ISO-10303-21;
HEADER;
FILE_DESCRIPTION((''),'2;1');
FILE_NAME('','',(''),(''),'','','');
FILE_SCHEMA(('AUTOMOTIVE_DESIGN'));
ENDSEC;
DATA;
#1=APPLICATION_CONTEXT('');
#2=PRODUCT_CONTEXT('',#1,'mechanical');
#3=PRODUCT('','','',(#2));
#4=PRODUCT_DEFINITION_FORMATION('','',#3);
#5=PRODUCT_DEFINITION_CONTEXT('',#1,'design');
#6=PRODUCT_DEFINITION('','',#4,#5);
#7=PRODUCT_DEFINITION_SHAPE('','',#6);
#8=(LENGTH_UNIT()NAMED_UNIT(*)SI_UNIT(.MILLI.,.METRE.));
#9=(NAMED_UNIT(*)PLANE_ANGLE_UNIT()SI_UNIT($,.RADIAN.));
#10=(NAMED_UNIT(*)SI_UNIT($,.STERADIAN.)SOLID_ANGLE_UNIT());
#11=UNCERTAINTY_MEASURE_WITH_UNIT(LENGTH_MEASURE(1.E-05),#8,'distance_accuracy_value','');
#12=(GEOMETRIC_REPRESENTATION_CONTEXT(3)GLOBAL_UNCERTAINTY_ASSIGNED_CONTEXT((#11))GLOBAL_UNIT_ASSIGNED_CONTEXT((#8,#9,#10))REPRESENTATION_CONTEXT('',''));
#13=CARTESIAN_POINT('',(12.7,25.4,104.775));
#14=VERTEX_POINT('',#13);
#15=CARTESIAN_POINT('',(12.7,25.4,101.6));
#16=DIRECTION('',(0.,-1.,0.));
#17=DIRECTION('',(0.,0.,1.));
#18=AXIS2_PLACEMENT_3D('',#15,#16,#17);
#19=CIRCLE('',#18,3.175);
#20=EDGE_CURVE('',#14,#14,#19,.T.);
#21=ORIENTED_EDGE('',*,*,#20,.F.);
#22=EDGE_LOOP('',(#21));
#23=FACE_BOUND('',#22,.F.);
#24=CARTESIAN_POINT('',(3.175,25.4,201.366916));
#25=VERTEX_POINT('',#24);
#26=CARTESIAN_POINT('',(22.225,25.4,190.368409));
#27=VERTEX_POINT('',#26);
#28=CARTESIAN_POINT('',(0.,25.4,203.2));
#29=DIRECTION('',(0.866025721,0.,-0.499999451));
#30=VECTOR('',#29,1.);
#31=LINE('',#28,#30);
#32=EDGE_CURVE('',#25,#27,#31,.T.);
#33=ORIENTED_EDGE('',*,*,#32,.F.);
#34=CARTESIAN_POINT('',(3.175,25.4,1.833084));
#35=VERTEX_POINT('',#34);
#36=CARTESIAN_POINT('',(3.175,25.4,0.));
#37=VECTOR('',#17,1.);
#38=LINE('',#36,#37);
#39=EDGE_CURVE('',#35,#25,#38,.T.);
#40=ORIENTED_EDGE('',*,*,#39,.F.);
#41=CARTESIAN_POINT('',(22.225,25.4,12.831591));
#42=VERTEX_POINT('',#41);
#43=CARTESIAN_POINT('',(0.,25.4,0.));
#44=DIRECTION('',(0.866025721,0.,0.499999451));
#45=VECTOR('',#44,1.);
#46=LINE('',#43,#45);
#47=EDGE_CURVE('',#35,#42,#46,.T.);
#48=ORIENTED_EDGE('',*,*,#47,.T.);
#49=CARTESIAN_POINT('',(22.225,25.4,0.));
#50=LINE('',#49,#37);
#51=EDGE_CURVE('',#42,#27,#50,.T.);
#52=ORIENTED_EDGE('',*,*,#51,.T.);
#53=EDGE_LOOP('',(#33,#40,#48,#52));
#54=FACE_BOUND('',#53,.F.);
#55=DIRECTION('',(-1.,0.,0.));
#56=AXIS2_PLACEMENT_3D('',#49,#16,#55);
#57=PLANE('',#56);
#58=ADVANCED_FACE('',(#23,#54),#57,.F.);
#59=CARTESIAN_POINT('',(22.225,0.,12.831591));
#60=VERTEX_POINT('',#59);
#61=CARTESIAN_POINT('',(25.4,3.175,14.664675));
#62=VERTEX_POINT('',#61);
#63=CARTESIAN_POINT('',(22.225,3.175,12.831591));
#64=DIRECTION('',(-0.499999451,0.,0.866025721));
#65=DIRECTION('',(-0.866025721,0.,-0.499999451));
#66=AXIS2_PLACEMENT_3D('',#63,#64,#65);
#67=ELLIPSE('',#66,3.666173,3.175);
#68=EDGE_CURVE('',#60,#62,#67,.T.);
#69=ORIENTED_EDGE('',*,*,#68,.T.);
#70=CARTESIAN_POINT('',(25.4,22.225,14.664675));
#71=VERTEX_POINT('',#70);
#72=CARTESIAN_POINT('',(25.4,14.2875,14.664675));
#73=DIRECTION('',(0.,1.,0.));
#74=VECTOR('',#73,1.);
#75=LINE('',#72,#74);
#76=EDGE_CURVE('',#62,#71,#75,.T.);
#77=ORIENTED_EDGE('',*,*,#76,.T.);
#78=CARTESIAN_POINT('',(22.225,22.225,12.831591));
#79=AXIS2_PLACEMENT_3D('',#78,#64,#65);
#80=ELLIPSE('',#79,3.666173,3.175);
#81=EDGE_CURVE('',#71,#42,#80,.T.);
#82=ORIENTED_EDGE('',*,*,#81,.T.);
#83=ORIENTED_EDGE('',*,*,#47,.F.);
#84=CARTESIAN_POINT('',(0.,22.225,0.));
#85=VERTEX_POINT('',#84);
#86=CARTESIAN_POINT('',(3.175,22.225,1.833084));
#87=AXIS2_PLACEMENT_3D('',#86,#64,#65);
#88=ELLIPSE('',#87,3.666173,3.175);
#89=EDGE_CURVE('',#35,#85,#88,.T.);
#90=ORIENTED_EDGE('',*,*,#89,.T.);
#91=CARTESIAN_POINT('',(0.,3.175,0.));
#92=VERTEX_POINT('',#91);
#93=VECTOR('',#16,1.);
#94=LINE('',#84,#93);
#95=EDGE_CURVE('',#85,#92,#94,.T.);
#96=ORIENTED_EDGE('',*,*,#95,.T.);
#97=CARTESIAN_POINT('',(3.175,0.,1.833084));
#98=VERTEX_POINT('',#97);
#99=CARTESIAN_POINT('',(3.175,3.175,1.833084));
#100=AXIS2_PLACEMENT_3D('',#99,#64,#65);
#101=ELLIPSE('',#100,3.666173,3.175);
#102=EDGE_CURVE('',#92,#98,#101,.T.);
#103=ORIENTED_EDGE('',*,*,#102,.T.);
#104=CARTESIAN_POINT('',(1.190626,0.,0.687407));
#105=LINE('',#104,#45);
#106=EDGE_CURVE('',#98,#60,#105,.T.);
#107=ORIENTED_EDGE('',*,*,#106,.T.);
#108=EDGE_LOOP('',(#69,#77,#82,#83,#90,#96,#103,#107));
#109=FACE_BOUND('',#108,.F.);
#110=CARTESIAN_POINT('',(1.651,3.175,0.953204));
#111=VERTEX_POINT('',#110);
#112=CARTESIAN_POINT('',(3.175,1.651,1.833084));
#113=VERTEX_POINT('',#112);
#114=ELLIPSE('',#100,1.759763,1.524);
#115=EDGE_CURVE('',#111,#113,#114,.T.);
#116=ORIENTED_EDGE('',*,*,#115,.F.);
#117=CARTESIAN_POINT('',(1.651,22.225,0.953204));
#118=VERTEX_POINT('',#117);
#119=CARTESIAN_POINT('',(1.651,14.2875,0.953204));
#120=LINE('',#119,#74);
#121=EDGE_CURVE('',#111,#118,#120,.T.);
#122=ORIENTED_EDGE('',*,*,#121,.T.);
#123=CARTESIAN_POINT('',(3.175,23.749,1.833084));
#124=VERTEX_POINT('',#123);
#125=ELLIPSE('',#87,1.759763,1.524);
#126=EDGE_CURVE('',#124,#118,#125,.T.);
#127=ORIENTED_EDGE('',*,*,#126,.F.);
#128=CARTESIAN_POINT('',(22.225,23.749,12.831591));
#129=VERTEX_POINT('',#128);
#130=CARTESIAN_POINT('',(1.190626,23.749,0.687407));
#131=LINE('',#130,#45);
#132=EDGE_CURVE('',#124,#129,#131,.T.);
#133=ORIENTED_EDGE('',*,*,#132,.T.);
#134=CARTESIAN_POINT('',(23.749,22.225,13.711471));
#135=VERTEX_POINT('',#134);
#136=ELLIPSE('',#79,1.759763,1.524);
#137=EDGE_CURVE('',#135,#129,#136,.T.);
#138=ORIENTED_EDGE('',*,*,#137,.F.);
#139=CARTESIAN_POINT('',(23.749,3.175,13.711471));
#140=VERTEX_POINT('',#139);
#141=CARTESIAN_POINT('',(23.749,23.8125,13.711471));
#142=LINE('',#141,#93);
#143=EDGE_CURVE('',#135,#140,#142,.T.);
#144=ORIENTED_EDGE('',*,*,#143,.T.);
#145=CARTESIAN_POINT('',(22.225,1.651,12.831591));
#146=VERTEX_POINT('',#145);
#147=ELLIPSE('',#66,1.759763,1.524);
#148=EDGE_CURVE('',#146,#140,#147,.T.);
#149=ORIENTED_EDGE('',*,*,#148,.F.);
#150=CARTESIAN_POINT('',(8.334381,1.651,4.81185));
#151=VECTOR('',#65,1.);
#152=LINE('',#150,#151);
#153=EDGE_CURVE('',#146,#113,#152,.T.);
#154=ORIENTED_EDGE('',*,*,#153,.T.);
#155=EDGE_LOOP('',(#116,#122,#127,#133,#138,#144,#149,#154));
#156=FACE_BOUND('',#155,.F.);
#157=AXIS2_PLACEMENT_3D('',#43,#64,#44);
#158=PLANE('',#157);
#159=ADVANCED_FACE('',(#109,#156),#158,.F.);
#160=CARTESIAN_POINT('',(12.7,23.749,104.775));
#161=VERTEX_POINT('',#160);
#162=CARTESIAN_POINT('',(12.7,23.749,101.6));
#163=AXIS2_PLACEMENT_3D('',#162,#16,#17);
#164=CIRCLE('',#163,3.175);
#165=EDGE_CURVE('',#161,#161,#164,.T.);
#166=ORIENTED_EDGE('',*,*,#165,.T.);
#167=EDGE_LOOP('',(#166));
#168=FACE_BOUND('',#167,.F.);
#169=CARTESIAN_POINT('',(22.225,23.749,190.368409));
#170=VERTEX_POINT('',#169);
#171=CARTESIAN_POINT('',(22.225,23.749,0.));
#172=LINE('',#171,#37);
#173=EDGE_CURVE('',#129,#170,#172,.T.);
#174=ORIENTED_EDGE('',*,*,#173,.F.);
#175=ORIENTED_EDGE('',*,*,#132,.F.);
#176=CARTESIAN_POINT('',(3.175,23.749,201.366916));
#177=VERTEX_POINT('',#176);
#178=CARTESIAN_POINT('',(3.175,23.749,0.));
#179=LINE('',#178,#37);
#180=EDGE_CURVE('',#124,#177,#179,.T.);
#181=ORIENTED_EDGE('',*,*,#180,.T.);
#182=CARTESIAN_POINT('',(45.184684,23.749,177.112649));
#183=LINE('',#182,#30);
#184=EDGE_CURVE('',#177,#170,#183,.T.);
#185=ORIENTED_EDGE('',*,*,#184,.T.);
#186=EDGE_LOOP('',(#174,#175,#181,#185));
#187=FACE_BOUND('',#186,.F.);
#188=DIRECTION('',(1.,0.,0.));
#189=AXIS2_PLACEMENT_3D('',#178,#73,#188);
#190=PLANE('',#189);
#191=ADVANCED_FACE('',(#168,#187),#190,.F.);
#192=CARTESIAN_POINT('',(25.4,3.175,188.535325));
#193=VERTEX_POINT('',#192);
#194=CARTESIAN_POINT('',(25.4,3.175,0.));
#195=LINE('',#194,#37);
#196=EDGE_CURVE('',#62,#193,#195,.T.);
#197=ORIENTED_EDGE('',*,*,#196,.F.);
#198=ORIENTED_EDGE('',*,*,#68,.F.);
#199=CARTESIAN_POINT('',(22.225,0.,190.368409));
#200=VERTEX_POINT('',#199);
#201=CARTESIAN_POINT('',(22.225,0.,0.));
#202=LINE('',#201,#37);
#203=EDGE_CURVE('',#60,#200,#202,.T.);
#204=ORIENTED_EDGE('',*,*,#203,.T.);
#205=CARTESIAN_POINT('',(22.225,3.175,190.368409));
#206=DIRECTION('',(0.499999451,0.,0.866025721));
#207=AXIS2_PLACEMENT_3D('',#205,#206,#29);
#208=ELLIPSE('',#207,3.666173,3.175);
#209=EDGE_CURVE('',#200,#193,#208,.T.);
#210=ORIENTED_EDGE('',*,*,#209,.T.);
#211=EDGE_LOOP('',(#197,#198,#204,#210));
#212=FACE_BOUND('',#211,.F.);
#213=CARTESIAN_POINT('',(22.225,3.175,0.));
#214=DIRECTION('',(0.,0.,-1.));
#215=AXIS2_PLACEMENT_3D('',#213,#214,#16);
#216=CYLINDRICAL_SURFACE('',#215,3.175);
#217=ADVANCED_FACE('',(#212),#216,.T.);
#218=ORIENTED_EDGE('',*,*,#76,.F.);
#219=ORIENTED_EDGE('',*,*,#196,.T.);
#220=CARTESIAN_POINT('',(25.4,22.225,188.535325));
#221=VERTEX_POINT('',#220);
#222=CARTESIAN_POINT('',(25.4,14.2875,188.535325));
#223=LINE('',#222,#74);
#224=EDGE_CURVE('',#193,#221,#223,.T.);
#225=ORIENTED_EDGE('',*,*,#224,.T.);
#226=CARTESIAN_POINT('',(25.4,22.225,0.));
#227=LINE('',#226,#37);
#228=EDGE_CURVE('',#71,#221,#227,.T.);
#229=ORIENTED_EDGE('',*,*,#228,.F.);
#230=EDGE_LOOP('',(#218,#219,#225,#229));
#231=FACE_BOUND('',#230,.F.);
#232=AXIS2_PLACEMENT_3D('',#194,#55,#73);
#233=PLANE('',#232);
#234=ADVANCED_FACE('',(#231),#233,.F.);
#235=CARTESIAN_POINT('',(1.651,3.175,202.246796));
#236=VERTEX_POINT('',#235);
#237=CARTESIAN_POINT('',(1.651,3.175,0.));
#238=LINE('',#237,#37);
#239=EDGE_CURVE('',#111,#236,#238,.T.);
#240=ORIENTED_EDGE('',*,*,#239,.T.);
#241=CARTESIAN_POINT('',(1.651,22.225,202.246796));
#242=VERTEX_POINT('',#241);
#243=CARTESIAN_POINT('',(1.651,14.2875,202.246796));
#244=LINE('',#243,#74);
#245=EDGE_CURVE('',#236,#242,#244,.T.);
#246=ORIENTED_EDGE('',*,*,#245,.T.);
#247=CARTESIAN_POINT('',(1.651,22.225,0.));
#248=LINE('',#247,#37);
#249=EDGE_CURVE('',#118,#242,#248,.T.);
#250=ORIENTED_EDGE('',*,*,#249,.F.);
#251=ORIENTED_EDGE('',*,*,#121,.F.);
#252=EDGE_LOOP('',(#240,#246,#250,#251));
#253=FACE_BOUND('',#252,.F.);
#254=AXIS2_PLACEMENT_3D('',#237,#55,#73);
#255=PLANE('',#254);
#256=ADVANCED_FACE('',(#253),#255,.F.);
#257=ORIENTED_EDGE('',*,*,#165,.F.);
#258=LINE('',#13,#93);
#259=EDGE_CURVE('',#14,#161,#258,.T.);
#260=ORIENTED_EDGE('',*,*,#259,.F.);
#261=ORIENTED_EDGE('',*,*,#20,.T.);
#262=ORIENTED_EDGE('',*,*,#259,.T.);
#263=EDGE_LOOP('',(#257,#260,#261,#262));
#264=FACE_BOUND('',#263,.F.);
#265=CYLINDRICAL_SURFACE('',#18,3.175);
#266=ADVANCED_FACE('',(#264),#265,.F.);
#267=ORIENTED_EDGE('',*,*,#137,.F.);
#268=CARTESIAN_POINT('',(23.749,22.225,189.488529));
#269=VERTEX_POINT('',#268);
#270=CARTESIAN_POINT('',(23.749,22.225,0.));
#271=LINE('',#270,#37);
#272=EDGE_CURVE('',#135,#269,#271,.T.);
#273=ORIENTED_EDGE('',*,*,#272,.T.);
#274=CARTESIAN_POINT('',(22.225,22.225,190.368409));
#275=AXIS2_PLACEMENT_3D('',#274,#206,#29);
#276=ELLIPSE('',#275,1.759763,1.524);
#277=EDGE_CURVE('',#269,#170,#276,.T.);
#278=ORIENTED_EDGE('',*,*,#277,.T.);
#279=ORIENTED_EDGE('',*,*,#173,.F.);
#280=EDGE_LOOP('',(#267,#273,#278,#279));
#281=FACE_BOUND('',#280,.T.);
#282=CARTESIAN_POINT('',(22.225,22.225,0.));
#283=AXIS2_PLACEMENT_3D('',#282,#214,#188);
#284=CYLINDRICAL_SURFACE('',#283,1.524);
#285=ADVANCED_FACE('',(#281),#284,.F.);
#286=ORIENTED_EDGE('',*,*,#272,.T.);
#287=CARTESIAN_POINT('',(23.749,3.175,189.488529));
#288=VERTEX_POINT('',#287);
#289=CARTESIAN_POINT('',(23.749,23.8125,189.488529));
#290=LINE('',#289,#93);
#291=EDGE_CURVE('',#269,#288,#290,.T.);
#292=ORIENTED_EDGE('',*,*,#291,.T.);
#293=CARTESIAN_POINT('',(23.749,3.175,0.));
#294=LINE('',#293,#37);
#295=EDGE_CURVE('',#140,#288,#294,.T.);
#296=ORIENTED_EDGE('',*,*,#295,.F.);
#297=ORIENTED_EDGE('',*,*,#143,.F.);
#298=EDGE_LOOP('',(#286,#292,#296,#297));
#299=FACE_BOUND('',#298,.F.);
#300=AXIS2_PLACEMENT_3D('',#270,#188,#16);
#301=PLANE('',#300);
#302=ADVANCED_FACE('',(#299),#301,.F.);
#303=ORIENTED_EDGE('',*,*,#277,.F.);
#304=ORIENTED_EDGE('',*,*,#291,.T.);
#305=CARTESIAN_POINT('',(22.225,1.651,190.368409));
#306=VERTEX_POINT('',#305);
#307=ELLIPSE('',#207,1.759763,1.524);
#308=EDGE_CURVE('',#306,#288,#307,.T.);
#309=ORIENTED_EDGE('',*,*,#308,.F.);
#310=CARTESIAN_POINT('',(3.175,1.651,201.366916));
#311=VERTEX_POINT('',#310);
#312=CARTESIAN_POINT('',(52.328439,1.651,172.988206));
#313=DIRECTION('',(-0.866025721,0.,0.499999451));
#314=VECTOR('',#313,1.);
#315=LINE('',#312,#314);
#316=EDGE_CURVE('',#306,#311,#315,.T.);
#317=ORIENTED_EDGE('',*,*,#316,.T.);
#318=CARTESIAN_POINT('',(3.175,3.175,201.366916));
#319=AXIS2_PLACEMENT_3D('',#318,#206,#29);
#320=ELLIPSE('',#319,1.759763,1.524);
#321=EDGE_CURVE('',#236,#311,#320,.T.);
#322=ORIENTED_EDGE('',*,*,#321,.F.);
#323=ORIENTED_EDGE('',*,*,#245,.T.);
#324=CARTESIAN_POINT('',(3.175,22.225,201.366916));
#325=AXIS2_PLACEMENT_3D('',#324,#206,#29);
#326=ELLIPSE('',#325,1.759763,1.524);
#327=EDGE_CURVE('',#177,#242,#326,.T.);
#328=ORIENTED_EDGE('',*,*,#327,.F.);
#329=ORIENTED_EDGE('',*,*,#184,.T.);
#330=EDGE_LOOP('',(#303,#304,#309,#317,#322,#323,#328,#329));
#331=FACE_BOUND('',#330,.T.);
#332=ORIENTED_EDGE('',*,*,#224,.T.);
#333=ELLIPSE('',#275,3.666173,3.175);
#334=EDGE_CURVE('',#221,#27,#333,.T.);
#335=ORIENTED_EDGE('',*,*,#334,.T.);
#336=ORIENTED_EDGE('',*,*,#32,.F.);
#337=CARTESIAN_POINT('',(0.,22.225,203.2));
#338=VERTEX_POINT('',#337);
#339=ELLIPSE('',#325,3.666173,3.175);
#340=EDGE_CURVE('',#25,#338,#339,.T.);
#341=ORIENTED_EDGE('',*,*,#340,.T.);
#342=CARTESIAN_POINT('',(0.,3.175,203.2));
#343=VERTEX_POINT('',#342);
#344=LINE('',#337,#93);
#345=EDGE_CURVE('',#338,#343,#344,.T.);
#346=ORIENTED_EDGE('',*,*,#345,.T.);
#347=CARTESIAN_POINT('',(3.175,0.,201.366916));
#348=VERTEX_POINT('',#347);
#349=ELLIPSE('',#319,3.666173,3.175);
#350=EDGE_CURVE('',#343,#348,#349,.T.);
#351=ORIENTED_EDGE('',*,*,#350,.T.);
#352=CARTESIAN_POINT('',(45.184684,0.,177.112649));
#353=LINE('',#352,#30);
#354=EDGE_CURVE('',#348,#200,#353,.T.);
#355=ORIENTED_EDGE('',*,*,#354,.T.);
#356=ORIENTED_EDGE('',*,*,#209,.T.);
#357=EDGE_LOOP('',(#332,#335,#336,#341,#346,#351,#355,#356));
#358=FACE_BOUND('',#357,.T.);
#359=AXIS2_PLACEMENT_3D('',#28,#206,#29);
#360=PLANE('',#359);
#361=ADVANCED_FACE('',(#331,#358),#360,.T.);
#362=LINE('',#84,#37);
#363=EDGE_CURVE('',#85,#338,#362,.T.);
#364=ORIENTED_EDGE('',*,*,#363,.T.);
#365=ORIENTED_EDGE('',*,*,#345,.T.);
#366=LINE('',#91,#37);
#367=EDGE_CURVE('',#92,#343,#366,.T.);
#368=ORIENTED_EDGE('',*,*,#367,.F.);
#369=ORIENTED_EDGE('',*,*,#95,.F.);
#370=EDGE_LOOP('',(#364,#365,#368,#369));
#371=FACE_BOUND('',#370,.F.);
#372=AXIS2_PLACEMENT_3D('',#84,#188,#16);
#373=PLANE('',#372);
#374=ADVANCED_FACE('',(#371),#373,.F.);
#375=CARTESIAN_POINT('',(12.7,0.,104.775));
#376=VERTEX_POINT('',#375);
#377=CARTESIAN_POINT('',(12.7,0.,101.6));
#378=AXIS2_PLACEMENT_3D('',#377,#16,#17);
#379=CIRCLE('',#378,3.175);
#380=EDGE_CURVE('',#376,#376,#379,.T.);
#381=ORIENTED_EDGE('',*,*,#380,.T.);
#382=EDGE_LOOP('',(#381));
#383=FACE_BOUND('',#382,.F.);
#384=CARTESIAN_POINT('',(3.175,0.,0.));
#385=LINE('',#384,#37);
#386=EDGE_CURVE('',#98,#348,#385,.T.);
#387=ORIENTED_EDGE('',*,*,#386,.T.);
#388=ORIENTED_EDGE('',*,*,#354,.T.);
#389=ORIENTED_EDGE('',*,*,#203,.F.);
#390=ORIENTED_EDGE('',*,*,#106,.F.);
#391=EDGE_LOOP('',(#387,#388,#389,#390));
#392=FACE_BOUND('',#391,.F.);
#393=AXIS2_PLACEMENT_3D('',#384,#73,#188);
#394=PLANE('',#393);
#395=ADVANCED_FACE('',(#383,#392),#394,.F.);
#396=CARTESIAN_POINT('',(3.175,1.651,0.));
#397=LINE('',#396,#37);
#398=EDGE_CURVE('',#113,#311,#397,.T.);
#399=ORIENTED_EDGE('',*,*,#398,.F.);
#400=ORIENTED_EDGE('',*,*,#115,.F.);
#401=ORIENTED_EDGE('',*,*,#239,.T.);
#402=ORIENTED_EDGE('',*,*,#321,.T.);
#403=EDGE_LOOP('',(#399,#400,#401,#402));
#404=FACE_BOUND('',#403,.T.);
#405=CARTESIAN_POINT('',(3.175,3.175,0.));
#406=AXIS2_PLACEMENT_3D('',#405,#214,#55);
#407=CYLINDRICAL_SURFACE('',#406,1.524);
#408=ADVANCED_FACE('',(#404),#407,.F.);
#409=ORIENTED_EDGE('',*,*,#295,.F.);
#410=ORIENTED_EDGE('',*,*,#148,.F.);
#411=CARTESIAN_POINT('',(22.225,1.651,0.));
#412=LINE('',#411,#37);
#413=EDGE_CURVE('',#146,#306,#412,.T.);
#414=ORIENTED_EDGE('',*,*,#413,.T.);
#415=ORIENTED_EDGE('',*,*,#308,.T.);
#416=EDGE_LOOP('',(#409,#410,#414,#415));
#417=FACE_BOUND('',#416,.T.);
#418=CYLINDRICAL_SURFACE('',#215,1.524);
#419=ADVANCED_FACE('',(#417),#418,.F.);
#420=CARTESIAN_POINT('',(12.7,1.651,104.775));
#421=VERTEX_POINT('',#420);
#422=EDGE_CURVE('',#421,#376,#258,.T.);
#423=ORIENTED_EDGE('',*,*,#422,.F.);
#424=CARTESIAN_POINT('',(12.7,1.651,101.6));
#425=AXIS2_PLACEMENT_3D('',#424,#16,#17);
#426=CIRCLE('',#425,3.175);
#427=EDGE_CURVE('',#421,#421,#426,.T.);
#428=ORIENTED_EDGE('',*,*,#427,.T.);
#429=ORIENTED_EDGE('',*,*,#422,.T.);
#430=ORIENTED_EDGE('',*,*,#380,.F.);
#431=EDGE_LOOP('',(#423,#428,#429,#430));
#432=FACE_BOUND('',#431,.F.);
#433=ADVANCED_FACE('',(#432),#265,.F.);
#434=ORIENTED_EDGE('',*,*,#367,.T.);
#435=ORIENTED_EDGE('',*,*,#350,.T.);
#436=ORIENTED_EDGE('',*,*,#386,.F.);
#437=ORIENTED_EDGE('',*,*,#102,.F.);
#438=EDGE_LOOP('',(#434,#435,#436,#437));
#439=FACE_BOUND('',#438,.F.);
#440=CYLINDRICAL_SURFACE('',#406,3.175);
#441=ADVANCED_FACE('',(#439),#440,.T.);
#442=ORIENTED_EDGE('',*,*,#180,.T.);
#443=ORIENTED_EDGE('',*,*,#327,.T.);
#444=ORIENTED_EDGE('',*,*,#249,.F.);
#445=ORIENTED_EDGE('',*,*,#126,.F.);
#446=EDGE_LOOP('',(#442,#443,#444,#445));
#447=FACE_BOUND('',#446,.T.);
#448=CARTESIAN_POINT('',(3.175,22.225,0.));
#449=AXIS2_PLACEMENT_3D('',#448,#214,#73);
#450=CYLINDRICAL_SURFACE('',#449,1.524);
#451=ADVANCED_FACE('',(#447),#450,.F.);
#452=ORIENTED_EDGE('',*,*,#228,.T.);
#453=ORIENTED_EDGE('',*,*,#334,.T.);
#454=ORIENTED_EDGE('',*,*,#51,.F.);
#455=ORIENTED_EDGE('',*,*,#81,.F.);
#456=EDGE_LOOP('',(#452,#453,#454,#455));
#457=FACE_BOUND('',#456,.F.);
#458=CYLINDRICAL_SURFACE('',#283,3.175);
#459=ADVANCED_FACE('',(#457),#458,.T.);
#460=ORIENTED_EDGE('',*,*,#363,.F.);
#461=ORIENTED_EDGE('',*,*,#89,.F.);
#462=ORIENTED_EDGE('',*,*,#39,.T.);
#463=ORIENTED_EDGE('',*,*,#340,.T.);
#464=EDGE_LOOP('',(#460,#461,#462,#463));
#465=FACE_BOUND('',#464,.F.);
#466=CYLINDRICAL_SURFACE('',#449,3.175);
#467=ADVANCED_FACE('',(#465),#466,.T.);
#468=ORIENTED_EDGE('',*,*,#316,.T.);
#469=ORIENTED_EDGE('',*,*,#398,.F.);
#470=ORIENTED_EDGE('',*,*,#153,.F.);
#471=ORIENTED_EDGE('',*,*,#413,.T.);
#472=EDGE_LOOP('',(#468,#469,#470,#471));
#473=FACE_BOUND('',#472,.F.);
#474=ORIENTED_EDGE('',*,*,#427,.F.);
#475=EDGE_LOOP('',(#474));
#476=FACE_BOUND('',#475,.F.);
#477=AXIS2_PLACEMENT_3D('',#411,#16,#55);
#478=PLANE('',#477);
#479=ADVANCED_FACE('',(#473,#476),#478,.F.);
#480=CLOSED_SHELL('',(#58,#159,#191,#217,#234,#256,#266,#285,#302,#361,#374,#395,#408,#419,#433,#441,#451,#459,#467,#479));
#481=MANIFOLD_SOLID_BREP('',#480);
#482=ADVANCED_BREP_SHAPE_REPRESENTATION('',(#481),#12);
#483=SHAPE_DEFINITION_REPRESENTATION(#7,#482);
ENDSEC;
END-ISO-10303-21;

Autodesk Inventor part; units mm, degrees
ref_plane "YZ Plane" through (0, 0, 0) normal (1, 0, 0) x (0, 1, 0)
ref_plane "XZ Plane" through (0, 0, 0) normal (0, 1, 0) x (-1, 0, 0)
ref_plane "XY Plane" through (0, 0, 0) normal (0, 0, 1) x (1, 0, 0)
sketch "Sketch1" plane through (0, 0, 0) normal (0, 0, 1) x (1, 0, 0)
  line L0 (3.175, 0) -> (22.225, 0)
  line L1 (25.4, 3.175) -> (25.4, 22.225)
  line L2 (22.225, 25.4) -> (3.175, 25.4)
  line L3 (0, 22.225) -> (0, 3.175)
  arc A0 (3.175, 25.4) -> (0, 22.225) centre (3.175, 22.225) ccw
  arc A1 (0, 3.175) -> (3.175, 0) centre (3.175, 3.175) ccw
  arc A2 (22.225, 0) -> (25.4, 3.175) centre (22.225, 3.175) ccw
  arc A3 (25.4, 22.225) -> (22.225, 25.4) centre (22.225, 22.225) ccw
  line L4 (3.175, 23.749) -> (22.225, 23.749)
  arc A4 (23.749, 22.225) -> (22.225, 23.749) centre (22.225, 22.225) ccw
  line L5 (23.749, 22.225) -> (23.749, 3.175)
  arc A5 (22.225, 1.651) -> (23.749, 3.175) centre (22.225, 3.175) ccw
  line L6 (22.225, 1.651) -> (3.175, 1.651)
  arc A6 (1.651, 3.175) -> (3.175, 1.651) centre (3.175, 3.175) ccw
  line L7 (1.651, 3.175) -> (1.651, 22.225)
  arc A7 (3.175, 23.749) -> (1.651, 22.225) centre (3.175, 22.225) ccw
  point P0 (0, 0)
  point P1 (25.4, 0)
  point P2 (0, 25.4)
  dimension "d0" = 25.4
  dimension "d1" = 25.4
  dimension "d2" = 3.175
  dimension "d3" = 1.651
extrude "Extrusion1" add sketch "Sketch1" along normal blind 203.2
sketch "Sketch2" plane through (3.175, 25.4, 0) normal (0, 1, 0) x (1, 0, 0)
  line L0 (19.05, -203.2) -> (0, -203.2) projected
  line L1 (-3.175, 0) -> (22.2557, 0)
  line L2 (-3.175, 0) -> (32.385, 0) construction
  line L3 (22.2557, 0) -> (22.2557, -14.6824)
  line L4 (-3.175, 0) -> (22.2557, -14.6824)
  line L5 (-3.175, 0) -> (-3.175, -203.2) construction
  line L6 (-3.175, -101.6) -> (22.2557, -101.6) construction
  line L7 (-3.175, -203.2) -> (22.2557, -203.2)
  line L8 (22.2557, -203.2) -> (22.2557, -188.5176)
  line L9 (-3.175, -203.2) -> (22.2557, -188.5176)
  point P0 (0, 0)
extrude "Extrusion2" cut sketch "Sketch2" against normal blind 203.2
sketch "Sketch3" plane through (3.175, 25.4, 201.3669) normal (0, 1, 0) x (1, 0, 0)
  line L0 (0, 199.5338) -> (0, 0) projected
  line L1 (19.05, 188.5353) -> (19.05, 10.9985) projected
  line L2 (0, 99.7669) -> (19.05, 99.7669) construction
  circle A0 centre (9.525, 99.7669) radius 2.5512
  point P0 (-3.175, 201.3669)
hole "Hole1" at (12.7, 25.4, 101.6) direction (0, -1, 0) diameter 6.35 end through all
properties part number "2f2ao" material "Steel"
